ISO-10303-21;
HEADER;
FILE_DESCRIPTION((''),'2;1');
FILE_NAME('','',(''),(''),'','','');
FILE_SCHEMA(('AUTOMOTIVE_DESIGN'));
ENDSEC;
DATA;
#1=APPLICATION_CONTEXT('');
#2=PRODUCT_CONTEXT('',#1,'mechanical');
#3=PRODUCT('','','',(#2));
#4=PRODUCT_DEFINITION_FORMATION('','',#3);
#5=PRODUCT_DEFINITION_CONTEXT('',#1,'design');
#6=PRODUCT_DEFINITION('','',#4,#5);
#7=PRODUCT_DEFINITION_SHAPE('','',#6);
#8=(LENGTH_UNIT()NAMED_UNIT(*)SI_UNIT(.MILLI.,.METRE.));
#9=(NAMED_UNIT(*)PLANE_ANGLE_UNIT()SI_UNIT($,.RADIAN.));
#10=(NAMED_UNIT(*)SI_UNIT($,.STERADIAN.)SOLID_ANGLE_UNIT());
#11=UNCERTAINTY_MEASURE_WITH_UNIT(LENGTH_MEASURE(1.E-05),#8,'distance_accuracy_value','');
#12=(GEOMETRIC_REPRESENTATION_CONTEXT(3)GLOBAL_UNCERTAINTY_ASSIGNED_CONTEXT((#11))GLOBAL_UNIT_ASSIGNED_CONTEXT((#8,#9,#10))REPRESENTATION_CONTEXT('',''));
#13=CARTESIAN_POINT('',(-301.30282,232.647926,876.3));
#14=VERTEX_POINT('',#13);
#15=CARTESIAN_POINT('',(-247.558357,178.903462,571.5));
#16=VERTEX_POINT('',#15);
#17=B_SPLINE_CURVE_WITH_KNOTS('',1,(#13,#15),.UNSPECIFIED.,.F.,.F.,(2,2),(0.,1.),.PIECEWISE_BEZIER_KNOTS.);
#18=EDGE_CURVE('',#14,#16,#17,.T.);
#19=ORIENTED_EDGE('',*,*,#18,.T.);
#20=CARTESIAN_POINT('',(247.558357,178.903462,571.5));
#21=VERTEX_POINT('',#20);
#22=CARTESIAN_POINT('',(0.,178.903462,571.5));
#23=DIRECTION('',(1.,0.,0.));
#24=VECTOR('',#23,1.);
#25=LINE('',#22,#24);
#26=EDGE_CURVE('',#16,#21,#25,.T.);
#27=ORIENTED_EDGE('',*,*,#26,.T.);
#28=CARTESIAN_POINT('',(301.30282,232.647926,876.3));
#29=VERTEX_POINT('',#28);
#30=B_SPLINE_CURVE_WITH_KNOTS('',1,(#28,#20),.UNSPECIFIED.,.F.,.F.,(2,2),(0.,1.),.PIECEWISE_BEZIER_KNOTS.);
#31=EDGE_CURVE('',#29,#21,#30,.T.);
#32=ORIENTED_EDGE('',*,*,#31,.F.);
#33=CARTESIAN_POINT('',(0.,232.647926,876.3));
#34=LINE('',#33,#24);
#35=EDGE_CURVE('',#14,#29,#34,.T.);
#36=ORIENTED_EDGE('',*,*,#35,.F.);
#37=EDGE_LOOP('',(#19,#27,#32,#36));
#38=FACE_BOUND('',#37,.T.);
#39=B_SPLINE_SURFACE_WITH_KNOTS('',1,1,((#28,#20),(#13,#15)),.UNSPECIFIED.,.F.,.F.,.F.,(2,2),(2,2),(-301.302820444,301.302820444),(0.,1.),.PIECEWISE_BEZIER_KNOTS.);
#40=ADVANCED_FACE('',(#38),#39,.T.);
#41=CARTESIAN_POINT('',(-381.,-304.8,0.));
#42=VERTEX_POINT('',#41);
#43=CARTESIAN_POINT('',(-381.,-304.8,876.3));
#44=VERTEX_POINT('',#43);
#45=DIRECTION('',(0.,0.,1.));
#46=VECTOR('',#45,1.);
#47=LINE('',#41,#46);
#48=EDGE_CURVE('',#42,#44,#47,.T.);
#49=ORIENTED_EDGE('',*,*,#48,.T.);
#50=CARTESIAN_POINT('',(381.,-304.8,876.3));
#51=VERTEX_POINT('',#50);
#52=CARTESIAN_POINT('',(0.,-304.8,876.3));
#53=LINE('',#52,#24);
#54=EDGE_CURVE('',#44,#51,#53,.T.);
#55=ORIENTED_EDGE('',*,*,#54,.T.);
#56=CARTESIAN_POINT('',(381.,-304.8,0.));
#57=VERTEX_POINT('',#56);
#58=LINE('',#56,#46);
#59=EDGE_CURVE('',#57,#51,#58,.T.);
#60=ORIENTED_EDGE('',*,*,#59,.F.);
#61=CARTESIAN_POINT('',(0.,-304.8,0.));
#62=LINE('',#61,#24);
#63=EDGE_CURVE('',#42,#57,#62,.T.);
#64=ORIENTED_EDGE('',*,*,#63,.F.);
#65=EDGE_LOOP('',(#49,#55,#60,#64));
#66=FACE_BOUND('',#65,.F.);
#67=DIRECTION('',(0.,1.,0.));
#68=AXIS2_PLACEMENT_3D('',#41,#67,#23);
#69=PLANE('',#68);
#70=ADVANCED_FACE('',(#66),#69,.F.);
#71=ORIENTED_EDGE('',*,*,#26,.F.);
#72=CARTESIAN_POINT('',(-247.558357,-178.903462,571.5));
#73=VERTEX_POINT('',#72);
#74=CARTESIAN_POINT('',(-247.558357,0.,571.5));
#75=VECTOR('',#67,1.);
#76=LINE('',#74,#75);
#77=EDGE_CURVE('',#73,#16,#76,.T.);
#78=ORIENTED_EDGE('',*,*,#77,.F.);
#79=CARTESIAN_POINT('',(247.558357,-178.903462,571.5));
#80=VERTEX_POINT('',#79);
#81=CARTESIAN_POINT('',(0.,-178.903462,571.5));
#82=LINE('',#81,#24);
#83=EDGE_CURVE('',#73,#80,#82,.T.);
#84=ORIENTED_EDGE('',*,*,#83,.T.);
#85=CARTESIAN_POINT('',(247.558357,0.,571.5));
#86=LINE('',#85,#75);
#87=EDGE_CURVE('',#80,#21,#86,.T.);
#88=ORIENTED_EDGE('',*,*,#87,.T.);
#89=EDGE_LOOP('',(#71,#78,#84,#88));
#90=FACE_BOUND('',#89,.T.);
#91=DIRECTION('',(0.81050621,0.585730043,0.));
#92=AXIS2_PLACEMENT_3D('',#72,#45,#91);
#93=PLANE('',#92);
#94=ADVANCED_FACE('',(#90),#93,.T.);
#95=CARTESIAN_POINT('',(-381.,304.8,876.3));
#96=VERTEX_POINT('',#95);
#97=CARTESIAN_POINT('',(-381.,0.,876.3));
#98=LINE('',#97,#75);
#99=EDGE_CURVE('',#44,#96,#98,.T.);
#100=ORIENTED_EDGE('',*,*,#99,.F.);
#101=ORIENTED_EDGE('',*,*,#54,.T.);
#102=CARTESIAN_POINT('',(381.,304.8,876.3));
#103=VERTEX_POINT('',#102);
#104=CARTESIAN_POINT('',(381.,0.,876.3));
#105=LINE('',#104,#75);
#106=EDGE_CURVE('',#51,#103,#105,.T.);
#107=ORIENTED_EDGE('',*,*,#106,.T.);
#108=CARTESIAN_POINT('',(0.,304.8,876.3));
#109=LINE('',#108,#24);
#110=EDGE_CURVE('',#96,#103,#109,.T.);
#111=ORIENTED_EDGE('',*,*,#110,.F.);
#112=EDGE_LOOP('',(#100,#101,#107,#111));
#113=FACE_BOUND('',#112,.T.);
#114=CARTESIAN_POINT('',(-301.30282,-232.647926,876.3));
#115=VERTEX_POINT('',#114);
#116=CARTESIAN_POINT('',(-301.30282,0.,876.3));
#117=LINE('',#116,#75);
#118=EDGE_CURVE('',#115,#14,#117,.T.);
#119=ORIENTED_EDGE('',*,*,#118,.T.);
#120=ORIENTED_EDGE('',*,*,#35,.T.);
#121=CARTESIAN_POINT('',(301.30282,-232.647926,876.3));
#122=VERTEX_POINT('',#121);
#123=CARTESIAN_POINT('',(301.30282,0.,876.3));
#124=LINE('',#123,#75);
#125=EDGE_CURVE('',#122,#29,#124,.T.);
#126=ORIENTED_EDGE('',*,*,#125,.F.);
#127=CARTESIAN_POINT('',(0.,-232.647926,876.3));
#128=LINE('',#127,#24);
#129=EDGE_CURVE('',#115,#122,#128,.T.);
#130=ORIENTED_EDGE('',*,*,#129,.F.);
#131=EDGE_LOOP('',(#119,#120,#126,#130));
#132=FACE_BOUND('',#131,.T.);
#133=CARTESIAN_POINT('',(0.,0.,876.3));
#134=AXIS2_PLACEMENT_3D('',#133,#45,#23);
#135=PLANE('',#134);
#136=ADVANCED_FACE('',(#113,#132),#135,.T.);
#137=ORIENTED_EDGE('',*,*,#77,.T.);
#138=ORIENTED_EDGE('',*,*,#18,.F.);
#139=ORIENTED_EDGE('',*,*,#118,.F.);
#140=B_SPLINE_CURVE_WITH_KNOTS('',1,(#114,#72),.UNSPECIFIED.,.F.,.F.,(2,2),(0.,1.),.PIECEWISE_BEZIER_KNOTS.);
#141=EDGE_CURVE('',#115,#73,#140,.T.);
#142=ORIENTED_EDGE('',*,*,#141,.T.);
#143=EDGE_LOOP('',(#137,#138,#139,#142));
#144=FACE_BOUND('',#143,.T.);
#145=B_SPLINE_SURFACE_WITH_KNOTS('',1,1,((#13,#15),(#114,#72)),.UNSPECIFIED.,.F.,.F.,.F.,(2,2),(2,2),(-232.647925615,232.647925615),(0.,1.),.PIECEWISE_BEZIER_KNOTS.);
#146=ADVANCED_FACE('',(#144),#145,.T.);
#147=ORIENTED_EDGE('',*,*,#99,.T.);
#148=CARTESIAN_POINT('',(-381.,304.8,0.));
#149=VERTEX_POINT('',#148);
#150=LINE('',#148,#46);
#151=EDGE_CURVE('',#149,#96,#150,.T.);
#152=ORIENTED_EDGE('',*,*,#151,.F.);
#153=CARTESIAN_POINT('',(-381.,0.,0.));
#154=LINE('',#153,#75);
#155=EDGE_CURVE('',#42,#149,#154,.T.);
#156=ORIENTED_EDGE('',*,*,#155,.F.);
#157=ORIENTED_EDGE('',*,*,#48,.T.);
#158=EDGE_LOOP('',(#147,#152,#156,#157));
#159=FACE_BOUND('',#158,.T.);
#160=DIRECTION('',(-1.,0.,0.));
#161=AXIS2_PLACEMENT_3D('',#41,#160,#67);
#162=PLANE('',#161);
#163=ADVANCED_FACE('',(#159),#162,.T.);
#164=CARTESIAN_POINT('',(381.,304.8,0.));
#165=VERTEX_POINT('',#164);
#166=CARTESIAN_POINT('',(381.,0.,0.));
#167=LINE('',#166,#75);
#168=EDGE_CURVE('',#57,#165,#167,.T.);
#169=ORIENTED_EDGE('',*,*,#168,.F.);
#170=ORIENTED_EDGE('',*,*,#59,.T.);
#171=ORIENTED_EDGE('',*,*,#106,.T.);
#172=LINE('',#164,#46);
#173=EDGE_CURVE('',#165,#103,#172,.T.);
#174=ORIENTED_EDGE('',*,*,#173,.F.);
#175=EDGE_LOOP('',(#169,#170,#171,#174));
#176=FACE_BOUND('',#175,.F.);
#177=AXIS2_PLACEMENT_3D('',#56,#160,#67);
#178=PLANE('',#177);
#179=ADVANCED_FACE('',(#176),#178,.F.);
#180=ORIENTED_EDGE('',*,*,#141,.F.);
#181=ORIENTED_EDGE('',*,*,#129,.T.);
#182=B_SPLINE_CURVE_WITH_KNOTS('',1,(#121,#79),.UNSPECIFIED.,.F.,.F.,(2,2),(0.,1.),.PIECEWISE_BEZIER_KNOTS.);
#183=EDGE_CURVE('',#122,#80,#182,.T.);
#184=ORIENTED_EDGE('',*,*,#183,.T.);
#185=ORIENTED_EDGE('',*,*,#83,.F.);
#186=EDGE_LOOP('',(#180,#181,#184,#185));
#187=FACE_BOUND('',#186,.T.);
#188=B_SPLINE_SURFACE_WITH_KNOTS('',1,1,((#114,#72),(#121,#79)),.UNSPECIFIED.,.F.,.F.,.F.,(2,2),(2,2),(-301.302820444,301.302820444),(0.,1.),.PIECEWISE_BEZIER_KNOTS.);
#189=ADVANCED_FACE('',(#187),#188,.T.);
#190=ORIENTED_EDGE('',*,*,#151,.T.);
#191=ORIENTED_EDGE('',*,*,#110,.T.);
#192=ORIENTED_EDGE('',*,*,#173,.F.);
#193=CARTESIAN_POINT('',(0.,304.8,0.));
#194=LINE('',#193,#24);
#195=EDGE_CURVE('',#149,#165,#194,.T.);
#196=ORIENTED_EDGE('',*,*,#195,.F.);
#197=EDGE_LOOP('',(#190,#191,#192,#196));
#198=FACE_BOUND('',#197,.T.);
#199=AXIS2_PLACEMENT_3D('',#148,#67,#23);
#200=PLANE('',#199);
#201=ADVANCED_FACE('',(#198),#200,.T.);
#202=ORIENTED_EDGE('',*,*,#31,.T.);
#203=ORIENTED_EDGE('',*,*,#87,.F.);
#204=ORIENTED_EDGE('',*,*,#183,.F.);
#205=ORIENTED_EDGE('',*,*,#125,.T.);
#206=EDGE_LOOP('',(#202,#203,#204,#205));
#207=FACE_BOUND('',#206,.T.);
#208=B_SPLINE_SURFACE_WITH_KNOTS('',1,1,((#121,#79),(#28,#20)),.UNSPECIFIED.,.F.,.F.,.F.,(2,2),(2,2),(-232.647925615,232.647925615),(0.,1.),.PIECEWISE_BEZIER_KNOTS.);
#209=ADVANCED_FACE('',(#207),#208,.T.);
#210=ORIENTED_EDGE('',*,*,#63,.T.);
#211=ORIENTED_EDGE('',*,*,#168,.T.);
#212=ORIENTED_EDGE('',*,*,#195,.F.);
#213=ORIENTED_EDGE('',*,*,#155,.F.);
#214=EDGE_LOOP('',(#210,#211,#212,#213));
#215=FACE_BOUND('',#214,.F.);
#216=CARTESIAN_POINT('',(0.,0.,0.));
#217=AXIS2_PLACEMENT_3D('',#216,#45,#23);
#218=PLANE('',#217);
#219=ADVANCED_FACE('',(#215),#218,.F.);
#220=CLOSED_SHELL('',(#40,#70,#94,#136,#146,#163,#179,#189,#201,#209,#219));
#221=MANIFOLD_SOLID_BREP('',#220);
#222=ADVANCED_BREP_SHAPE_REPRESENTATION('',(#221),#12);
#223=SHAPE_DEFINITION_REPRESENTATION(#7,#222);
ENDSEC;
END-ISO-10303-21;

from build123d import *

# Parameters (mm, degrees)
F0_W     = 762
F0_H     = 609.6
F1_DEPTH = 876.3
F2_W     = 602.6056408882
F2_H     = 465.2958512306
F3_DEPTH = 304.8
F3_TAPER = 10


with BuildPart() as f1:
    # F0 (on Top) → F1 (new body)
    with BuildSketch(Plane.XY):
        Rectangle(F0_W, F0_H)
    extrude(amount=F1_DEPTH)

    # F2 (on face) → F3 (cut)
    with BuildSketch(Plane.XY.offset(876.3)):
        Rectangle(F2_W, F2_H)
    extrude(amount=-F3_DEPTH, taper=F3_TAPER, mode=Mode.SUBTRACT)


solid = f1.part
